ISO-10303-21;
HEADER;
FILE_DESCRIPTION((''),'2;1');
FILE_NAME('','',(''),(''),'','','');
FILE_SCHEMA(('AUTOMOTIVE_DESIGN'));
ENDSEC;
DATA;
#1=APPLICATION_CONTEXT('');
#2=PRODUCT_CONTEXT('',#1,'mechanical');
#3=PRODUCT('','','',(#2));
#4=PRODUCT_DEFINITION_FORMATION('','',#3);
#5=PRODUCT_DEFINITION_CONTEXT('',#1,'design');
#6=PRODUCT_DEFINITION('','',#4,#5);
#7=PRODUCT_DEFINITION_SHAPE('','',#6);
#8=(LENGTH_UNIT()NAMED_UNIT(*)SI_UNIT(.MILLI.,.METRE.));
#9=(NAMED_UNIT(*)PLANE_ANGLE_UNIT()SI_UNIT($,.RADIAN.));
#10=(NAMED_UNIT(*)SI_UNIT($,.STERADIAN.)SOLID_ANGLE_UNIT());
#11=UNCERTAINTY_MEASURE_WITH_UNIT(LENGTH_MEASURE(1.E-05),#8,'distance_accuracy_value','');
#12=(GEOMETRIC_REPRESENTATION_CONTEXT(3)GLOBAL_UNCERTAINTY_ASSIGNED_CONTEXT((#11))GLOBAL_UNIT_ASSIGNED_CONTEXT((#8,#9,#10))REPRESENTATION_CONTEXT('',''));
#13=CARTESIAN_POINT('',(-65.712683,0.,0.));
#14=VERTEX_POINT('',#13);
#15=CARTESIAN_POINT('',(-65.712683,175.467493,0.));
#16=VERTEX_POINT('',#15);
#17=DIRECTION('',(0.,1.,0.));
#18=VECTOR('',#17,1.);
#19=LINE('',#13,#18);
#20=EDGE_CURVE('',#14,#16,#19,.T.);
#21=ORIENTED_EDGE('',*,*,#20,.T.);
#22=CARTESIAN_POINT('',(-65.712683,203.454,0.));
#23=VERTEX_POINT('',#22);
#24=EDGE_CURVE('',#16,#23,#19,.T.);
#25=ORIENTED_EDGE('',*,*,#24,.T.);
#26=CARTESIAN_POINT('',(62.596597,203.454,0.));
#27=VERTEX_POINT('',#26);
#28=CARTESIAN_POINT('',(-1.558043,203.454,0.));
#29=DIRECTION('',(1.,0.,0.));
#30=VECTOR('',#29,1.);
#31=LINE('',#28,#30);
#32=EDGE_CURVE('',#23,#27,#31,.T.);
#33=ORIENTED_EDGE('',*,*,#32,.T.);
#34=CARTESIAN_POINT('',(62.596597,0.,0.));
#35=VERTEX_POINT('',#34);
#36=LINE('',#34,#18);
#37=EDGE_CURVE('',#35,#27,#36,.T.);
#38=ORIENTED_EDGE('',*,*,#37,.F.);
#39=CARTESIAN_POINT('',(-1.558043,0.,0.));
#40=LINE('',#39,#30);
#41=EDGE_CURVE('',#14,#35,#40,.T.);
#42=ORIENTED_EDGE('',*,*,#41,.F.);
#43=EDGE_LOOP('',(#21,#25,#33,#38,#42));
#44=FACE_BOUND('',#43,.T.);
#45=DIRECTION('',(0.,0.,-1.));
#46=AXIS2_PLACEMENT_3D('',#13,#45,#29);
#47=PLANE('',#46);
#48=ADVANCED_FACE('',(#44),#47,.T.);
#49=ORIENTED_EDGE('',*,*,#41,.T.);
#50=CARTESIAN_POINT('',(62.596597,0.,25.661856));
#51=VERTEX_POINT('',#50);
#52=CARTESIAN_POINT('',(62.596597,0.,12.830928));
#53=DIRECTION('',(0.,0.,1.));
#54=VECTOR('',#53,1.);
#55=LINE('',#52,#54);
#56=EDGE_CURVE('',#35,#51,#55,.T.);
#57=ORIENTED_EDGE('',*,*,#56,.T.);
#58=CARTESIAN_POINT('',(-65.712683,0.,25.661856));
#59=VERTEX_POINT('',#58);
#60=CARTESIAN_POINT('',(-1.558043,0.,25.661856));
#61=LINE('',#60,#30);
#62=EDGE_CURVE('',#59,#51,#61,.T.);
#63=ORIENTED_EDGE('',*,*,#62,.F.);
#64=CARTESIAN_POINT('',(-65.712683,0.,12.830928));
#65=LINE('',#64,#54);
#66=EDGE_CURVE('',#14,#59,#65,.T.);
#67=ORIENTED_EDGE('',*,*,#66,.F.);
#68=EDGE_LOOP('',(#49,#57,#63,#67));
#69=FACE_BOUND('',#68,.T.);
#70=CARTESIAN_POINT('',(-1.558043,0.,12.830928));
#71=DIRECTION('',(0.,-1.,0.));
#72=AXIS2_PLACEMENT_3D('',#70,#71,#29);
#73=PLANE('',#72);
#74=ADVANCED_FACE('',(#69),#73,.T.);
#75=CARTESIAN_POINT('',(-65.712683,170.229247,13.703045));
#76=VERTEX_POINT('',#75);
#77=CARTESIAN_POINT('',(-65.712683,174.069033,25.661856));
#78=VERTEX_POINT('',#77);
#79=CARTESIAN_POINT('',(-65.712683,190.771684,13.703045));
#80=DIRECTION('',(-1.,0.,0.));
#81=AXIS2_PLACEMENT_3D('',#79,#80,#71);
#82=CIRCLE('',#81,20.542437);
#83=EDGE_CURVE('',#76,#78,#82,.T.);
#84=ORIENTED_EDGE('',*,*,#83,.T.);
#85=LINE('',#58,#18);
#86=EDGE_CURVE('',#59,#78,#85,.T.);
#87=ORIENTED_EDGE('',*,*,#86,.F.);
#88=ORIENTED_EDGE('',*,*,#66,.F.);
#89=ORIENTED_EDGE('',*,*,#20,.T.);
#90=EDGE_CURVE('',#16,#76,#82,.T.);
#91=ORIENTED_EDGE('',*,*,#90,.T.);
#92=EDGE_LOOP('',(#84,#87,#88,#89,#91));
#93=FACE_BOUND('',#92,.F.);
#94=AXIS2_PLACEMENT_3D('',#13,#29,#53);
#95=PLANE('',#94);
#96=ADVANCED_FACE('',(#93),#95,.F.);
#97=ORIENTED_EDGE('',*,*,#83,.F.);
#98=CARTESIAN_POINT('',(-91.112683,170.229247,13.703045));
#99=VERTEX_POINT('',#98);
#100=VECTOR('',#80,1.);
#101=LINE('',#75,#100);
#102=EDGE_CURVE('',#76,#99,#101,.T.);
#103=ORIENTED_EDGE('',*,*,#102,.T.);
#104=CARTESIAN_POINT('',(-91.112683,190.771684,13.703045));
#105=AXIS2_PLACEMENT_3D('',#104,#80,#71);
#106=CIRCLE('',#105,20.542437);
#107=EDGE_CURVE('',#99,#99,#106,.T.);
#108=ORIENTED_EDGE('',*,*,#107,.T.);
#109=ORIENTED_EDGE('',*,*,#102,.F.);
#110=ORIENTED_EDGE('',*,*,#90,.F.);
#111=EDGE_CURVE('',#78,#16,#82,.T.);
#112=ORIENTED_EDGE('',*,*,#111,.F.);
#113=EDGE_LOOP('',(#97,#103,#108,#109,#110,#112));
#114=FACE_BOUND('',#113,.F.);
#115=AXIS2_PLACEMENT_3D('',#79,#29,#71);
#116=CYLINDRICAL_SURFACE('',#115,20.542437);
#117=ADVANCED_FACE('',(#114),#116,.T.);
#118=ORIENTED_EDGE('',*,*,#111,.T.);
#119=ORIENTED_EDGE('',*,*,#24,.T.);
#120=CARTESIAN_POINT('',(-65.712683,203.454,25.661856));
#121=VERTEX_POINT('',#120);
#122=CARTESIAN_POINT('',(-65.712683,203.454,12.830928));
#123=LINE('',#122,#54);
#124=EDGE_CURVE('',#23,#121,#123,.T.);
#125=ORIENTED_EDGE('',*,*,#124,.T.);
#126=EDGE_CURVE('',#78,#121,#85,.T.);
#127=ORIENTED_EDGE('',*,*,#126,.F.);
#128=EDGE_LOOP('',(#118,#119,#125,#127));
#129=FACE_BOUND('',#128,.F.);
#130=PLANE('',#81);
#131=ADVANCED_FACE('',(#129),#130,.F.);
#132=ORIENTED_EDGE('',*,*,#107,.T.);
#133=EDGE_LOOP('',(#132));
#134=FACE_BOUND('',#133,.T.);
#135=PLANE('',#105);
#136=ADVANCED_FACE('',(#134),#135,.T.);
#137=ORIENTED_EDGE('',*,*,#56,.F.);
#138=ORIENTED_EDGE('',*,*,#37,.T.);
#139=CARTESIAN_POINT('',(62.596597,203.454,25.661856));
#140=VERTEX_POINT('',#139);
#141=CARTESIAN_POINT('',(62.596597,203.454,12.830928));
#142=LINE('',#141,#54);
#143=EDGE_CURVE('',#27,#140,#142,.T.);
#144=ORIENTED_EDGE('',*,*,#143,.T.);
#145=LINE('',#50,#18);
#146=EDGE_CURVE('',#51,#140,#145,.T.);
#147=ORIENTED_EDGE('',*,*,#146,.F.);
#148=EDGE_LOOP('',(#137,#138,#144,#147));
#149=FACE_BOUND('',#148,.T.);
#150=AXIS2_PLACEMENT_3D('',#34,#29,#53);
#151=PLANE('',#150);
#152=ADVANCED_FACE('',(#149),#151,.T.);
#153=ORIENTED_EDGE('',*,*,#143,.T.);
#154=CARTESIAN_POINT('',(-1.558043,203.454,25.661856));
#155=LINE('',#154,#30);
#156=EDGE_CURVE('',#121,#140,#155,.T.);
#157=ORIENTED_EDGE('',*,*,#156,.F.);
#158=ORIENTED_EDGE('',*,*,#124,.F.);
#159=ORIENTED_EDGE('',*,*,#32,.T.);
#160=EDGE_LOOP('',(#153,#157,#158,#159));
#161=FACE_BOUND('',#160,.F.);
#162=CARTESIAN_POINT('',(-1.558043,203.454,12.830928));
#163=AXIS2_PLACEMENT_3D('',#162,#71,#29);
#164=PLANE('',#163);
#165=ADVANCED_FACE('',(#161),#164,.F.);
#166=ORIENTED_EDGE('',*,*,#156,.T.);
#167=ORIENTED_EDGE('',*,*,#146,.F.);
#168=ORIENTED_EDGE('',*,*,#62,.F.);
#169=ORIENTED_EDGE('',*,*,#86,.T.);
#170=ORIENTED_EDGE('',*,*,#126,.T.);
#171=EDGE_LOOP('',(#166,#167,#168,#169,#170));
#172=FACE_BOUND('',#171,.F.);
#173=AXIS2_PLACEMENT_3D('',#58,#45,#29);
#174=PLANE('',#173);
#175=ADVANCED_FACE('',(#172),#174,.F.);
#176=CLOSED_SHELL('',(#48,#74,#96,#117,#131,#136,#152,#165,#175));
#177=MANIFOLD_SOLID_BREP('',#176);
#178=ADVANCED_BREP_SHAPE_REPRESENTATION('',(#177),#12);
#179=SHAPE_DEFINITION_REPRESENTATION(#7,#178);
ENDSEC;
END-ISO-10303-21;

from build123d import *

# Parameters (mm, degrees)
F0_W     = 128.30928
F0_H     = 25.661856
F1_DEPTH = 203.454
F2_R     = 20.542437
F3_DEPTH = 25.4


with BuildPart() as f1:
    # F0 (on Front) → F1 (new body)
    with BuildSketch(Plane.XZ):
        with Locations((-1.558043, 12.830928)):
            Rectangle(F0_W, F0_H)
    extrude(amount=-F1_DEPTH)

    # F2 (on face) → F3 (join)
    with BuildSketch(Plane(origin=(-65.712683, 0, 0), x_dir=(0, -1, 0), z_dir=(-1, 0, 0))):
        with Locations((-190.771684, 13.703045)):
            Circle(F2_R)
    extrude(amount=F3_DEPTH)


solid = f1.part
